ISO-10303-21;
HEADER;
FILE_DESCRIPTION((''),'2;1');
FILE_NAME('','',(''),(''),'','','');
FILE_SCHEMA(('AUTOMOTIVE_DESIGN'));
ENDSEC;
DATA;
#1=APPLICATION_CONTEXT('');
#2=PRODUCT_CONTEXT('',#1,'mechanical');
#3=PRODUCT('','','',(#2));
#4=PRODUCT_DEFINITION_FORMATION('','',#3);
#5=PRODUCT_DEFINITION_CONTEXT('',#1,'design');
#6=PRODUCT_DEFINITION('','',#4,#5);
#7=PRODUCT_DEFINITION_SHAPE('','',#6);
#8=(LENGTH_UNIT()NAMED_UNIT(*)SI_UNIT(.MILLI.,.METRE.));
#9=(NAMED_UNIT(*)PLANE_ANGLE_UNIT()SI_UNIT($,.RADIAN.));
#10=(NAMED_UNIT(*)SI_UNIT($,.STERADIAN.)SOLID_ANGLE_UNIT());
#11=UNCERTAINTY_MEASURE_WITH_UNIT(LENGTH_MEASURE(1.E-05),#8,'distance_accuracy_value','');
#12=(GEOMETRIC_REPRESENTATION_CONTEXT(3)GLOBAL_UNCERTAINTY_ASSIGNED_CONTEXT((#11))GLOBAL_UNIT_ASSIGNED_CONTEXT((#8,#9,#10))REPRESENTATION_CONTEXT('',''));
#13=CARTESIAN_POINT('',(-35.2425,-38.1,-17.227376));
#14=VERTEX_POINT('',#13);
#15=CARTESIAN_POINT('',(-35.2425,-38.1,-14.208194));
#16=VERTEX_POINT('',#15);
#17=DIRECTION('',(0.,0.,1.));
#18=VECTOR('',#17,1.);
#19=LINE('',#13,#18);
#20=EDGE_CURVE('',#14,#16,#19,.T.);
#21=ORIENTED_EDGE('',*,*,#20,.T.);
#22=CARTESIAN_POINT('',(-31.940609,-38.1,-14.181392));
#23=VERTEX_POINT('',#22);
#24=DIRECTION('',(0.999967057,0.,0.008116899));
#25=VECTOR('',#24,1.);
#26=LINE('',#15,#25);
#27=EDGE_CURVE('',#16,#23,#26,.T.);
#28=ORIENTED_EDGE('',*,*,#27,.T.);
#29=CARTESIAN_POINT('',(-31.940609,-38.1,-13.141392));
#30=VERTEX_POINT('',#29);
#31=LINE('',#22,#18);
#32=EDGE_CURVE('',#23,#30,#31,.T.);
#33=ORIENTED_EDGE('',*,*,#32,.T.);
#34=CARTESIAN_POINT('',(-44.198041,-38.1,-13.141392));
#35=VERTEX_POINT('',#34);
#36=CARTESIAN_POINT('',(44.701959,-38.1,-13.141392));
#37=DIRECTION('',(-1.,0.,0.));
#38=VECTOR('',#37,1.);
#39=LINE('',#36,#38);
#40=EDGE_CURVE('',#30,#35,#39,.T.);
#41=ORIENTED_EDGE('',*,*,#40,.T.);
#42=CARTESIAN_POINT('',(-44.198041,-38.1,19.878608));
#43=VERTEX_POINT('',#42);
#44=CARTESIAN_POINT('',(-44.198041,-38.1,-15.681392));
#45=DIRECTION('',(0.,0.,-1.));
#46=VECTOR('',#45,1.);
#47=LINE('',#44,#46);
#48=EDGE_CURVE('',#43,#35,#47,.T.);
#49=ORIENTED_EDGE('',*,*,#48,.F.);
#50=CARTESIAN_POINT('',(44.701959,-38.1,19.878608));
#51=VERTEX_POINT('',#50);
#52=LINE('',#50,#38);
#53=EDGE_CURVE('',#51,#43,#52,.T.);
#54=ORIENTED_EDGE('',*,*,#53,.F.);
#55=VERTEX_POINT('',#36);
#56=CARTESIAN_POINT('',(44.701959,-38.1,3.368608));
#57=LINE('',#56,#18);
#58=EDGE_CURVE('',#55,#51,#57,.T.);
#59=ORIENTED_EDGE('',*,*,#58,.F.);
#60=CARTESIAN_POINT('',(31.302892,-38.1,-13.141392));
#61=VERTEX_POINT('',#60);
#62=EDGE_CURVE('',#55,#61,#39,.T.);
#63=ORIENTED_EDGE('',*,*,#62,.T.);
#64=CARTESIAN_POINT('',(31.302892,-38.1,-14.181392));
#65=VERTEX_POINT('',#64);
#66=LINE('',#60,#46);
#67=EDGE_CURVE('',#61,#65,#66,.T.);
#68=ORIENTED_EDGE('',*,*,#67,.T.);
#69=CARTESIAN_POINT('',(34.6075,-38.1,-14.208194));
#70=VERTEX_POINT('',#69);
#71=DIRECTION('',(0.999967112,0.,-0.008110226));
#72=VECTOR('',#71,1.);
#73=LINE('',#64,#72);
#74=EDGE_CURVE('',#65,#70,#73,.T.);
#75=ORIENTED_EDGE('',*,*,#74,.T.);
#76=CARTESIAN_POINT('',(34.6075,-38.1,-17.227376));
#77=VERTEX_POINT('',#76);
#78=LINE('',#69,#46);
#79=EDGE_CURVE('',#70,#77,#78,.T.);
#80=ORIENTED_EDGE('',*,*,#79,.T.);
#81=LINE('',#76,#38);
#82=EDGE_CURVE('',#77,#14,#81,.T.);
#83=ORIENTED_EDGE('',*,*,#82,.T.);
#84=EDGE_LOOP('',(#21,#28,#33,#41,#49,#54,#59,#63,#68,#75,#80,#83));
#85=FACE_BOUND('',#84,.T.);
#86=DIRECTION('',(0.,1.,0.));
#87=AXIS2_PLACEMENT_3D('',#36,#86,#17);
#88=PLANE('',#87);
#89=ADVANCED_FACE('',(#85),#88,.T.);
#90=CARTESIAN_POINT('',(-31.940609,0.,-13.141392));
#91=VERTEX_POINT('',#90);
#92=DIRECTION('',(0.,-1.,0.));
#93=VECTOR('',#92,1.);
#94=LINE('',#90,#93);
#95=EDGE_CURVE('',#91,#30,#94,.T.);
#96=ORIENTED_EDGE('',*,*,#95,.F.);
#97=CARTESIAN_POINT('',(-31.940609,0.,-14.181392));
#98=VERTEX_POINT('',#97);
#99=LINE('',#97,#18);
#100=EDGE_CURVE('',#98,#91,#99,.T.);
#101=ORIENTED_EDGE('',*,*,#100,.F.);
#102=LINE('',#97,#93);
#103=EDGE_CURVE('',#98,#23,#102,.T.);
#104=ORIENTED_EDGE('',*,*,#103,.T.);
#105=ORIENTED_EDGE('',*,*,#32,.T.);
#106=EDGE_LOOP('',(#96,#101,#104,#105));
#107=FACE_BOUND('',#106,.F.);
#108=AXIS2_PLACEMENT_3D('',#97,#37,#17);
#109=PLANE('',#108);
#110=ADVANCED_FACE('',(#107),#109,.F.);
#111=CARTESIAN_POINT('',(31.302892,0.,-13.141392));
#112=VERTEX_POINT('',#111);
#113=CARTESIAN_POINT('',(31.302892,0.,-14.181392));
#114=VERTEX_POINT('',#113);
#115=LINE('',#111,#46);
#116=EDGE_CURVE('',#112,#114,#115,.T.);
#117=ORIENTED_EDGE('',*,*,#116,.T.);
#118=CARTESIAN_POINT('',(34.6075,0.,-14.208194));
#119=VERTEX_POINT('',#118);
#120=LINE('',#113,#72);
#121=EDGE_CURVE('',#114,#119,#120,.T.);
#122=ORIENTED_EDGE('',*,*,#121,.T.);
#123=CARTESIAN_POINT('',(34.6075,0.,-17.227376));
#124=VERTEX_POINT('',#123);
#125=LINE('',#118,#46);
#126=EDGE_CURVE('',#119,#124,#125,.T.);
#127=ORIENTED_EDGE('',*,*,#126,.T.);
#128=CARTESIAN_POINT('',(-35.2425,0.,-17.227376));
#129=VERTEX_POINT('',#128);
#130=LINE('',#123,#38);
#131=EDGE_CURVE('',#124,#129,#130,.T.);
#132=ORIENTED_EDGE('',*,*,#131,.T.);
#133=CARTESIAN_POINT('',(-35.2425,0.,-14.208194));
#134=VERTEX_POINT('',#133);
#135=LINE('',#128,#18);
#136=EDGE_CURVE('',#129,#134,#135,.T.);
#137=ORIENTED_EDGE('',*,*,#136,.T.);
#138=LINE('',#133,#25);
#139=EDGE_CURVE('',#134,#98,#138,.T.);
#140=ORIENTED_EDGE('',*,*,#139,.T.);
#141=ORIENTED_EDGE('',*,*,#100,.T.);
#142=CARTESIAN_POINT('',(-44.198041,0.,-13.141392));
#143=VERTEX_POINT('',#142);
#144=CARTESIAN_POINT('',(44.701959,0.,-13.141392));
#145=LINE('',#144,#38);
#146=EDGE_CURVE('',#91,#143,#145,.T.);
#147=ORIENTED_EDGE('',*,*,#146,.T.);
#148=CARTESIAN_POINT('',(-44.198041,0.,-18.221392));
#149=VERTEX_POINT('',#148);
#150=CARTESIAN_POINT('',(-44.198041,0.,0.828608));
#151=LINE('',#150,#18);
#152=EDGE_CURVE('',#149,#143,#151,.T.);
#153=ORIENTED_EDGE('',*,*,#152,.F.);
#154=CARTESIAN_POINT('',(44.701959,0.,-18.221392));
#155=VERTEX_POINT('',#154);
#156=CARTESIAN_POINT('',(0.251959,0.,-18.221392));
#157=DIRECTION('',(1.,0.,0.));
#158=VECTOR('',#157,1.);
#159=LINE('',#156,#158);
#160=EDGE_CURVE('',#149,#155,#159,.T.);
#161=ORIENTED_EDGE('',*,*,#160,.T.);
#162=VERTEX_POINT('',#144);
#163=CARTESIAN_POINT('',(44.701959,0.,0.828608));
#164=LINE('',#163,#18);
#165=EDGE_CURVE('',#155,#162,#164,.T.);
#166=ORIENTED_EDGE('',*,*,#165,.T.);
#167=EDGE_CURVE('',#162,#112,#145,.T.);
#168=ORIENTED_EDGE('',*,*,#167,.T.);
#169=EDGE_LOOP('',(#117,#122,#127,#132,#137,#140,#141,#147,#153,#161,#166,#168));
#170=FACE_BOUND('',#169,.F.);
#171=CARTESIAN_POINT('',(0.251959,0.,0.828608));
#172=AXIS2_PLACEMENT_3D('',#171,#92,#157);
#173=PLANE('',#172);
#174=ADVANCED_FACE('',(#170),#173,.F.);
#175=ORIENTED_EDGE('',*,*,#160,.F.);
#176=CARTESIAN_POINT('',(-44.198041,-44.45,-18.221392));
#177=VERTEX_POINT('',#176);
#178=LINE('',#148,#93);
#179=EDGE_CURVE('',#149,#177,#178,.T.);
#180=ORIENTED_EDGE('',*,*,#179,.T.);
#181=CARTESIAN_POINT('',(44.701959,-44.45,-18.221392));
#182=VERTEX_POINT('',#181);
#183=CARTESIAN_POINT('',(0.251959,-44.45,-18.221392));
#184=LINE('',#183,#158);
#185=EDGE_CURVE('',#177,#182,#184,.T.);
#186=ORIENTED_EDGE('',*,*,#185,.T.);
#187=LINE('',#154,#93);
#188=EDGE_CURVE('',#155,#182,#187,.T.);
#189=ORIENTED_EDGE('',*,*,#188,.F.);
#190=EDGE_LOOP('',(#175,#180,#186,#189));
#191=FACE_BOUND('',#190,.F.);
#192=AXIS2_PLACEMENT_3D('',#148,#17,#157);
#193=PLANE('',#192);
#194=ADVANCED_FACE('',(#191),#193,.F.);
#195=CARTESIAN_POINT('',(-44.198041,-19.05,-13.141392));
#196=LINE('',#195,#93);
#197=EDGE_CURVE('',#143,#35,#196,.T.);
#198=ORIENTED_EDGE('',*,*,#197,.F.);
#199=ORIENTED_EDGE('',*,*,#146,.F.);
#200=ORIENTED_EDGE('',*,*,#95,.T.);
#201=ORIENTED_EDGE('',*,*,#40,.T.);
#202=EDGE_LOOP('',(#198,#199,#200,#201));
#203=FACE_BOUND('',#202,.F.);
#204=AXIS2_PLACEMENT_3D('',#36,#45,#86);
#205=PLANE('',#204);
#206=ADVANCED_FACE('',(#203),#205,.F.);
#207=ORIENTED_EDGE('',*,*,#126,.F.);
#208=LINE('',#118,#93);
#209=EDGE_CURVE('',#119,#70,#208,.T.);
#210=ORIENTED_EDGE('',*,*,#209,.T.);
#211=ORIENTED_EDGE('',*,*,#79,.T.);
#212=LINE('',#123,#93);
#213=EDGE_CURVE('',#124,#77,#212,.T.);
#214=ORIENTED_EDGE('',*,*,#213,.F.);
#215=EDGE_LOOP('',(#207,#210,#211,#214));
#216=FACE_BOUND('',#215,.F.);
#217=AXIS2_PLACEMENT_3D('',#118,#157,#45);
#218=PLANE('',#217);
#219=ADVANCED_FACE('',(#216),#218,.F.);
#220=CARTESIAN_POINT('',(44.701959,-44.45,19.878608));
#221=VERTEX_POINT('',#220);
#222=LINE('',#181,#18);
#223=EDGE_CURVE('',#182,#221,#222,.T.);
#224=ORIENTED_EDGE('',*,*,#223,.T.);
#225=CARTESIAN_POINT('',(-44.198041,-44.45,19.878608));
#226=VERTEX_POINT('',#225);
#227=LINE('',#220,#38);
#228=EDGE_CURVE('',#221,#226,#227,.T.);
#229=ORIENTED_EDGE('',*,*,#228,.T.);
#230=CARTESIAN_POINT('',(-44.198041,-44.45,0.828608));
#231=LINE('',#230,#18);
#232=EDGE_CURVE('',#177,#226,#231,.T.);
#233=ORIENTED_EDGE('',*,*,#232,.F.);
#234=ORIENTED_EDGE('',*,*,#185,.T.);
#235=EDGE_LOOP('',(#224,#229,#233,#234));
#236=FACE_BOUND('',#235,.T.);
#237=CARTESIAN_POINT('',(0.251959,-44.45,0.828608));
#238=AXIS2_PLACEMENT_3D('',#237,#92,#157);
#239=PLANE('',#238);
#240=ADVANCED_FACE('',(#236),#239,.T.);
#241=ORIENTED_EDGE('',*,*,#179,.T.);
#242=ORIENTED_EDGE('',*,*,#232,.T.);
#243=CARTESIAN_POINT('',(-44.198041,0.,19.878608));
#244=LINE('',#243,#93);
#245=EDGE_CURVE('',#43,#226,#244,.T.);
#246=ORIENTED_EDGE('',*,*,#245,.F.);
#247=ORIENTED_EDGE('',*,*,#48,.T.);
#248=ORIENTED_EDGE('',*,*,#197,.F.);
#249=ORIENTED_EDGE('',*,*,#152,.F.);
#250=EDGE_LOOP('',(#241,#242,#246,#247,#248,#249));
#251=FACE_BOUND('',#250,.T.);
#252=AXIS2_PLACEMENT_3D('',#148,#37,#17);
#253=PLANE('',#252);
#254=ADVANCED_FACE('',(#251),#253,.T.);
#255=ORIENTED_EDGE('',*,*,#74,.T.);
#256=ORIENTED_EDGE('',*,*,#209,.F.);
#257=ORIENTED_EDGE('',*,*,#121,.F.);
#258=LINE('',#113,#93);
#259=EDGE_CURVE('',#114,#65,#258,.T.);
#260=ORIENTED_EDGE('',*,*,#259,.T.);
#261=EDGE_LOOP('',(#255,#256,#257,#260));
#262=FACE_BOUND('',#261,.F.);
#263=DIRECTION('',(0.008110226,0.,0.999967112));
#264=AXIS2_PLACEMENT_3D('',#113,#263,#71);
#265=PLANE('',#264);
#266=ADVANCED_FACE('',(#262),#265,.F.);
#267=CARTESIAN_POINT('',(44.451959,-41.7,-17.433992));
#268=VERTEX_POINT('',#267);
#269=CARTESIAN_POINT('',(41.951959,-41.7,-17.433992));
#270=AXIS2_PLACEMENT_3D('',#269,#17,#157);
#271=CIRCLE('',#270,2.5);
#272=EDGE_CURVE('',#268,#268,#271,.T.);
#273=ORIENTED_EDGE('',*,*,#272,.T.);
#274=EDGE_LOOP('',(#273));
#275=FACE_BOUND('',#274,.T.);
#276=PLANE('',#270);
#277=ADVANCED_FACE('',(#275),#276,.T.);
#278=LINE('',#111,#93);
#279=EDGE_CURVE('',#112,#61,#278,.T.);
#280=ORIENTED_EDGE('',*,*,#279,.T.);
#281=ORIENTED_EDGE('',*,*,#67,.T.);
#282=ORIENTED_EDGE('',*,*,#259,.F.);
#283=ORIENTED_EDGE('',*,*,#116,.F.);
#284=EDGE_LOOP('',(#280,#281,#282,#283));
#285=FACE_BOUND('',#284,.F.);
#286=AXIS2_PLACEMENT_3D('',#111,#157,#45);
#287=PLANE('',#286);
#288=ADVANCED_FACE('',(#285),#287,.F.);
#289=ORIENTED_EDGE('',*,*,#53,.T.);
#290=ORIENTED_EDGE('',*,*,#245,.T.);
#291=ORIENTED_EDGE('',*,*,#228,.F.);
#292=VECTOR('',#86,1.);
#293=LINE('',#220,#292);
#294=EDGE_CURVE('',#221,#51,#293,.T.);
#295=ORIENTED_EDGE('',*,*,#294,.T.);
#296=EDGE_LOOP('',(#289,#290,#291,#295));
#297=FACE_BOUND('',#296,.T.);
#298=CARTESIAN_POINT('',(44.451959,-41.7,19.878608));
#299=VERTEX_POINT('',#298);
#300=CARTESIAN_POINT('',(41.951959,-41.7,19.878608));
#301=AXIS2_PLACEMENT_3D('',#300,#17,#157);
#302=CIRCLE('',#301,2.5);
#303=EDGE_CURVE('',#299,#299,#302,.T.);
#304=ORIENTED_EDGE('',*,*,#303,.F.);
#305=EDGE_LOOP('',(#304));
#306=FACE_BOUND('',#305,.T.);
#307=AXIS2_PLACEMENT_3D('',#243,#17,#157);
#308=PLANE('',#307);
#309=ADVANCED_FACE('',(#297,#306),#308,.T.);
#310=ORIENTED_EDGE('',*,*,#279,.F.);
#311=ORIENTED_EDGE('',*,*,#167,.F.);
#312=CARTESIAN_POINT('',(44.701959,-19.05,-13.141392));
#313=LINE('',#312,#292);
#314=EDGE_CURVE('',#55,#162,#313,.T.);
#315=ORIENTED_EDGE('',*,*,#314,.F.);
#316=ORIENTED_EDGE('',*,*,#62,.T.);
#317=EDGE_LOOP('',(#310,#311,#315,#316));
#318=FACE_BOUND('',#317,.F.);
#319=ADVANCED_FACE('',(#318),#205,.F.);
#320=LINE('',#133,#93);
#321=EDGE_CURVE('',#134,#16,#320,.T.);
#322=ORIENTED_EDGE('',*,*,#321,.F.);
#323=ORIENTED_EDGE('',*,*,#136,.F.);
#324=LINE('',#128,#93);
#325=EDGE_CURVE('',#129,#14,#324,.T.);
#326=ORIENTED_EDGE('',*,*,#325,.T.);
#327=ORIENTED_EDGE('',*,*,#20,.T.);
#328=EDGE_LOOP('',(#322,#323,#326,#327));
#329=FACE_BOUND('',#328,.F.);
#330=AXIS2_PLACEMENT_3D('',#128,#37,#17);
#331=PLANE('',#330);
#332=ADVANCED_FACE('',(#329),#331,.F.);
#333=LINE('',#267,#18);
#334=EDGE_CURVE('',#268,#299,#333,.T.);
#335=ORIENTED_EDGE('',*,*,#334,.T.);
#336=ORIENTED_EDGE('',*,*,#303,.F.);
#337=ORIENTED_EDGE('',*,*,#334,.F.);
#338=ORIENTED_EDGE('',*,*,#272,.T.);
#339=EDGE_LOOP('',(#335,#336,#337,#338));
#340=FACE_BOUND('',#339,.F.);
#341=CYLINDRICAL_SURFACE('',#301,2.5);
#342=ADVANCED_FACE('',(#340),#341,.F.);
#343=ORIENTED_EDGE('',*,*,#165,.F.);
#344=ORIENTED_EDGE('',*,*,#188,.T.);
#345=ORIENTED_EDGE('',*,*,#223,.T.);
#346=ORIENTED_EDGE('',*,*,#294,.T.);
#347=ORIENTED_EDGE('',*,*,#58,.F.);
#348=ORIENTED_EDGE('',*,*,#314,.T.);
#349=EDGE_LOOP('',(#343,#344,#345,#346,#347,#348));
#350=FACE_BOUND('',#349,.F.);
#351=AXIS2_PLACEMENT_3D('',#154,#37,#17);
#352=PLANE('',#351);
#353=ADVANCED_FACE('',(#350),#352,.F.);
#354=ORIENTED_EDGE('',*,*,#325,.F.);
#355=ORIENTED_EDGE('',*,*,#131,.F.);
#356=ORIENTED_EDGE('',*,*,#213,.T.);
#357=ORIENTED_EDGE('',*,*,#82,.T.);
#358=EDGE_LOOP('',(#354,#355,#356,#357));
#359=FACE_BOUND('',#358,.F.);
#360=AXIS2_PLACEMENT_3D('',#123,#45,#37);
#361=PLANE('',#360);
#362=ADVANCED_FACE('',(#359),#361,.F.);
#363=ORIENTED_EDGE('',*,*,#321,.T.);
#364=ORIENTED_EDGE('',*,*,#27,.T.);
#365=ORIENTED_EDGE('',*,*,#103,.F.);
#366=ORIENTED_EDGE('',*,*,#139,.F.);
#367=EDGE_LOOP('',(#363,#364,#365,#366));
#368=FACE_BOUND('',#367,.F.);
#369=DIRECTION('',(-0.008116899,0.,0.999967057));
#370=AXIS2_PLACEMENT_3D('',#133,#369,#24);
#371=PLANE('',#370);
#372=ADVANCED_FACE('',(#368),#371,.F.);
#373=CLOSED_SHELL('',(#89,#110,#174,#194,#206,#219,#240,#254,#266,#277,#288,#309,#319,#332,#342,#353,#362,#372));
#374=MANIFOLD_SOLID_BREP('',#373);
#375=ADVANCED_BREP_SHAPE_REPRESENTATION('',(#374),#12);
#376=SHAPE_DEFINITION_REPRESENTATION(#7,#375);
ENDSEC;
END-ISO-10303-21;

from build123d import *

# Parameters (mm, degrees)
F0_W          = 88.9
F0_H          = 38.1
F1_DEPTH      = 44.45
F2_W          = 38.1
F2_H          = 33.02
F3_DEPTH      = 88.901
F4_W          = 5.5
F4_H          = 5.5
F5_DEPTH      = 36.068
F6_R          = 2.5
F7_DEPTH      = 37.3126
F7_DEPTH_BACK = 1
F9_DEPTH      = 38.1


with BuildPart() as f1:
    # F0 (on Front) → F1 (new body)
    with BuildSketch(Plane.XZ):
        with Locations((0.251959, 0.828608)):
            Rectangle(F0_W, F0_H)
    extrude(amount=F1_DEPTH)

    # F2 (on face) → F3 (cut, through all)
    with BuildSketch(Plane.YZ.offset(44.701959)):
        with Locations((-19.05, 3.368608)):
            Rectangle(F2_W, F2_H)
    extrude(amount=-F3_DEPTH, mode=Mode.SUBTRACT)

    # F4 (on face) → F5 (join)
    with BuildSketch(Plane.XY.offset(19.878608)):
        with Locations((41.951959, -41.7)):
            Rectangle(F4_W, F4_H)
    extrude(amount=-F5_DEPTH)

    # F6 (on face) → F7 (cut, two sides)
    with BuildSketch(Plane.XY.offset(19.878608)) as f7_sk:
        with Locations((41.951959, -41.7)):
            Circle(F6_R)
    extrude(amount=-F7_DEPTH, mode=Mode.SUBTRACT)
    extrude(f7_sk.sketch, amount=-F7_DEPTH_BACK, mode=Mode.SUBTRACT)

    # F8 (on face) → F9 (cut)
    with BuildSketch(Plane(origin=(0, 0, 0), x_dir=(-1, 0, 0), z_dir=(0, 1, 0))):
        Polygon((-34.6075, -14.208194), (-34.6075, -17.227376), (35.2425, -17.227376), (35.2425, -14.208194), (31.940609, -14.181392), (31.940609, -13.141392), (-31.302892, -13.141392), (-31.302892, -14.181392), align=None)
    extrude(amount=-F9_DEPTH, mode=Mode.SUBTRACT)


solid = f1.part
